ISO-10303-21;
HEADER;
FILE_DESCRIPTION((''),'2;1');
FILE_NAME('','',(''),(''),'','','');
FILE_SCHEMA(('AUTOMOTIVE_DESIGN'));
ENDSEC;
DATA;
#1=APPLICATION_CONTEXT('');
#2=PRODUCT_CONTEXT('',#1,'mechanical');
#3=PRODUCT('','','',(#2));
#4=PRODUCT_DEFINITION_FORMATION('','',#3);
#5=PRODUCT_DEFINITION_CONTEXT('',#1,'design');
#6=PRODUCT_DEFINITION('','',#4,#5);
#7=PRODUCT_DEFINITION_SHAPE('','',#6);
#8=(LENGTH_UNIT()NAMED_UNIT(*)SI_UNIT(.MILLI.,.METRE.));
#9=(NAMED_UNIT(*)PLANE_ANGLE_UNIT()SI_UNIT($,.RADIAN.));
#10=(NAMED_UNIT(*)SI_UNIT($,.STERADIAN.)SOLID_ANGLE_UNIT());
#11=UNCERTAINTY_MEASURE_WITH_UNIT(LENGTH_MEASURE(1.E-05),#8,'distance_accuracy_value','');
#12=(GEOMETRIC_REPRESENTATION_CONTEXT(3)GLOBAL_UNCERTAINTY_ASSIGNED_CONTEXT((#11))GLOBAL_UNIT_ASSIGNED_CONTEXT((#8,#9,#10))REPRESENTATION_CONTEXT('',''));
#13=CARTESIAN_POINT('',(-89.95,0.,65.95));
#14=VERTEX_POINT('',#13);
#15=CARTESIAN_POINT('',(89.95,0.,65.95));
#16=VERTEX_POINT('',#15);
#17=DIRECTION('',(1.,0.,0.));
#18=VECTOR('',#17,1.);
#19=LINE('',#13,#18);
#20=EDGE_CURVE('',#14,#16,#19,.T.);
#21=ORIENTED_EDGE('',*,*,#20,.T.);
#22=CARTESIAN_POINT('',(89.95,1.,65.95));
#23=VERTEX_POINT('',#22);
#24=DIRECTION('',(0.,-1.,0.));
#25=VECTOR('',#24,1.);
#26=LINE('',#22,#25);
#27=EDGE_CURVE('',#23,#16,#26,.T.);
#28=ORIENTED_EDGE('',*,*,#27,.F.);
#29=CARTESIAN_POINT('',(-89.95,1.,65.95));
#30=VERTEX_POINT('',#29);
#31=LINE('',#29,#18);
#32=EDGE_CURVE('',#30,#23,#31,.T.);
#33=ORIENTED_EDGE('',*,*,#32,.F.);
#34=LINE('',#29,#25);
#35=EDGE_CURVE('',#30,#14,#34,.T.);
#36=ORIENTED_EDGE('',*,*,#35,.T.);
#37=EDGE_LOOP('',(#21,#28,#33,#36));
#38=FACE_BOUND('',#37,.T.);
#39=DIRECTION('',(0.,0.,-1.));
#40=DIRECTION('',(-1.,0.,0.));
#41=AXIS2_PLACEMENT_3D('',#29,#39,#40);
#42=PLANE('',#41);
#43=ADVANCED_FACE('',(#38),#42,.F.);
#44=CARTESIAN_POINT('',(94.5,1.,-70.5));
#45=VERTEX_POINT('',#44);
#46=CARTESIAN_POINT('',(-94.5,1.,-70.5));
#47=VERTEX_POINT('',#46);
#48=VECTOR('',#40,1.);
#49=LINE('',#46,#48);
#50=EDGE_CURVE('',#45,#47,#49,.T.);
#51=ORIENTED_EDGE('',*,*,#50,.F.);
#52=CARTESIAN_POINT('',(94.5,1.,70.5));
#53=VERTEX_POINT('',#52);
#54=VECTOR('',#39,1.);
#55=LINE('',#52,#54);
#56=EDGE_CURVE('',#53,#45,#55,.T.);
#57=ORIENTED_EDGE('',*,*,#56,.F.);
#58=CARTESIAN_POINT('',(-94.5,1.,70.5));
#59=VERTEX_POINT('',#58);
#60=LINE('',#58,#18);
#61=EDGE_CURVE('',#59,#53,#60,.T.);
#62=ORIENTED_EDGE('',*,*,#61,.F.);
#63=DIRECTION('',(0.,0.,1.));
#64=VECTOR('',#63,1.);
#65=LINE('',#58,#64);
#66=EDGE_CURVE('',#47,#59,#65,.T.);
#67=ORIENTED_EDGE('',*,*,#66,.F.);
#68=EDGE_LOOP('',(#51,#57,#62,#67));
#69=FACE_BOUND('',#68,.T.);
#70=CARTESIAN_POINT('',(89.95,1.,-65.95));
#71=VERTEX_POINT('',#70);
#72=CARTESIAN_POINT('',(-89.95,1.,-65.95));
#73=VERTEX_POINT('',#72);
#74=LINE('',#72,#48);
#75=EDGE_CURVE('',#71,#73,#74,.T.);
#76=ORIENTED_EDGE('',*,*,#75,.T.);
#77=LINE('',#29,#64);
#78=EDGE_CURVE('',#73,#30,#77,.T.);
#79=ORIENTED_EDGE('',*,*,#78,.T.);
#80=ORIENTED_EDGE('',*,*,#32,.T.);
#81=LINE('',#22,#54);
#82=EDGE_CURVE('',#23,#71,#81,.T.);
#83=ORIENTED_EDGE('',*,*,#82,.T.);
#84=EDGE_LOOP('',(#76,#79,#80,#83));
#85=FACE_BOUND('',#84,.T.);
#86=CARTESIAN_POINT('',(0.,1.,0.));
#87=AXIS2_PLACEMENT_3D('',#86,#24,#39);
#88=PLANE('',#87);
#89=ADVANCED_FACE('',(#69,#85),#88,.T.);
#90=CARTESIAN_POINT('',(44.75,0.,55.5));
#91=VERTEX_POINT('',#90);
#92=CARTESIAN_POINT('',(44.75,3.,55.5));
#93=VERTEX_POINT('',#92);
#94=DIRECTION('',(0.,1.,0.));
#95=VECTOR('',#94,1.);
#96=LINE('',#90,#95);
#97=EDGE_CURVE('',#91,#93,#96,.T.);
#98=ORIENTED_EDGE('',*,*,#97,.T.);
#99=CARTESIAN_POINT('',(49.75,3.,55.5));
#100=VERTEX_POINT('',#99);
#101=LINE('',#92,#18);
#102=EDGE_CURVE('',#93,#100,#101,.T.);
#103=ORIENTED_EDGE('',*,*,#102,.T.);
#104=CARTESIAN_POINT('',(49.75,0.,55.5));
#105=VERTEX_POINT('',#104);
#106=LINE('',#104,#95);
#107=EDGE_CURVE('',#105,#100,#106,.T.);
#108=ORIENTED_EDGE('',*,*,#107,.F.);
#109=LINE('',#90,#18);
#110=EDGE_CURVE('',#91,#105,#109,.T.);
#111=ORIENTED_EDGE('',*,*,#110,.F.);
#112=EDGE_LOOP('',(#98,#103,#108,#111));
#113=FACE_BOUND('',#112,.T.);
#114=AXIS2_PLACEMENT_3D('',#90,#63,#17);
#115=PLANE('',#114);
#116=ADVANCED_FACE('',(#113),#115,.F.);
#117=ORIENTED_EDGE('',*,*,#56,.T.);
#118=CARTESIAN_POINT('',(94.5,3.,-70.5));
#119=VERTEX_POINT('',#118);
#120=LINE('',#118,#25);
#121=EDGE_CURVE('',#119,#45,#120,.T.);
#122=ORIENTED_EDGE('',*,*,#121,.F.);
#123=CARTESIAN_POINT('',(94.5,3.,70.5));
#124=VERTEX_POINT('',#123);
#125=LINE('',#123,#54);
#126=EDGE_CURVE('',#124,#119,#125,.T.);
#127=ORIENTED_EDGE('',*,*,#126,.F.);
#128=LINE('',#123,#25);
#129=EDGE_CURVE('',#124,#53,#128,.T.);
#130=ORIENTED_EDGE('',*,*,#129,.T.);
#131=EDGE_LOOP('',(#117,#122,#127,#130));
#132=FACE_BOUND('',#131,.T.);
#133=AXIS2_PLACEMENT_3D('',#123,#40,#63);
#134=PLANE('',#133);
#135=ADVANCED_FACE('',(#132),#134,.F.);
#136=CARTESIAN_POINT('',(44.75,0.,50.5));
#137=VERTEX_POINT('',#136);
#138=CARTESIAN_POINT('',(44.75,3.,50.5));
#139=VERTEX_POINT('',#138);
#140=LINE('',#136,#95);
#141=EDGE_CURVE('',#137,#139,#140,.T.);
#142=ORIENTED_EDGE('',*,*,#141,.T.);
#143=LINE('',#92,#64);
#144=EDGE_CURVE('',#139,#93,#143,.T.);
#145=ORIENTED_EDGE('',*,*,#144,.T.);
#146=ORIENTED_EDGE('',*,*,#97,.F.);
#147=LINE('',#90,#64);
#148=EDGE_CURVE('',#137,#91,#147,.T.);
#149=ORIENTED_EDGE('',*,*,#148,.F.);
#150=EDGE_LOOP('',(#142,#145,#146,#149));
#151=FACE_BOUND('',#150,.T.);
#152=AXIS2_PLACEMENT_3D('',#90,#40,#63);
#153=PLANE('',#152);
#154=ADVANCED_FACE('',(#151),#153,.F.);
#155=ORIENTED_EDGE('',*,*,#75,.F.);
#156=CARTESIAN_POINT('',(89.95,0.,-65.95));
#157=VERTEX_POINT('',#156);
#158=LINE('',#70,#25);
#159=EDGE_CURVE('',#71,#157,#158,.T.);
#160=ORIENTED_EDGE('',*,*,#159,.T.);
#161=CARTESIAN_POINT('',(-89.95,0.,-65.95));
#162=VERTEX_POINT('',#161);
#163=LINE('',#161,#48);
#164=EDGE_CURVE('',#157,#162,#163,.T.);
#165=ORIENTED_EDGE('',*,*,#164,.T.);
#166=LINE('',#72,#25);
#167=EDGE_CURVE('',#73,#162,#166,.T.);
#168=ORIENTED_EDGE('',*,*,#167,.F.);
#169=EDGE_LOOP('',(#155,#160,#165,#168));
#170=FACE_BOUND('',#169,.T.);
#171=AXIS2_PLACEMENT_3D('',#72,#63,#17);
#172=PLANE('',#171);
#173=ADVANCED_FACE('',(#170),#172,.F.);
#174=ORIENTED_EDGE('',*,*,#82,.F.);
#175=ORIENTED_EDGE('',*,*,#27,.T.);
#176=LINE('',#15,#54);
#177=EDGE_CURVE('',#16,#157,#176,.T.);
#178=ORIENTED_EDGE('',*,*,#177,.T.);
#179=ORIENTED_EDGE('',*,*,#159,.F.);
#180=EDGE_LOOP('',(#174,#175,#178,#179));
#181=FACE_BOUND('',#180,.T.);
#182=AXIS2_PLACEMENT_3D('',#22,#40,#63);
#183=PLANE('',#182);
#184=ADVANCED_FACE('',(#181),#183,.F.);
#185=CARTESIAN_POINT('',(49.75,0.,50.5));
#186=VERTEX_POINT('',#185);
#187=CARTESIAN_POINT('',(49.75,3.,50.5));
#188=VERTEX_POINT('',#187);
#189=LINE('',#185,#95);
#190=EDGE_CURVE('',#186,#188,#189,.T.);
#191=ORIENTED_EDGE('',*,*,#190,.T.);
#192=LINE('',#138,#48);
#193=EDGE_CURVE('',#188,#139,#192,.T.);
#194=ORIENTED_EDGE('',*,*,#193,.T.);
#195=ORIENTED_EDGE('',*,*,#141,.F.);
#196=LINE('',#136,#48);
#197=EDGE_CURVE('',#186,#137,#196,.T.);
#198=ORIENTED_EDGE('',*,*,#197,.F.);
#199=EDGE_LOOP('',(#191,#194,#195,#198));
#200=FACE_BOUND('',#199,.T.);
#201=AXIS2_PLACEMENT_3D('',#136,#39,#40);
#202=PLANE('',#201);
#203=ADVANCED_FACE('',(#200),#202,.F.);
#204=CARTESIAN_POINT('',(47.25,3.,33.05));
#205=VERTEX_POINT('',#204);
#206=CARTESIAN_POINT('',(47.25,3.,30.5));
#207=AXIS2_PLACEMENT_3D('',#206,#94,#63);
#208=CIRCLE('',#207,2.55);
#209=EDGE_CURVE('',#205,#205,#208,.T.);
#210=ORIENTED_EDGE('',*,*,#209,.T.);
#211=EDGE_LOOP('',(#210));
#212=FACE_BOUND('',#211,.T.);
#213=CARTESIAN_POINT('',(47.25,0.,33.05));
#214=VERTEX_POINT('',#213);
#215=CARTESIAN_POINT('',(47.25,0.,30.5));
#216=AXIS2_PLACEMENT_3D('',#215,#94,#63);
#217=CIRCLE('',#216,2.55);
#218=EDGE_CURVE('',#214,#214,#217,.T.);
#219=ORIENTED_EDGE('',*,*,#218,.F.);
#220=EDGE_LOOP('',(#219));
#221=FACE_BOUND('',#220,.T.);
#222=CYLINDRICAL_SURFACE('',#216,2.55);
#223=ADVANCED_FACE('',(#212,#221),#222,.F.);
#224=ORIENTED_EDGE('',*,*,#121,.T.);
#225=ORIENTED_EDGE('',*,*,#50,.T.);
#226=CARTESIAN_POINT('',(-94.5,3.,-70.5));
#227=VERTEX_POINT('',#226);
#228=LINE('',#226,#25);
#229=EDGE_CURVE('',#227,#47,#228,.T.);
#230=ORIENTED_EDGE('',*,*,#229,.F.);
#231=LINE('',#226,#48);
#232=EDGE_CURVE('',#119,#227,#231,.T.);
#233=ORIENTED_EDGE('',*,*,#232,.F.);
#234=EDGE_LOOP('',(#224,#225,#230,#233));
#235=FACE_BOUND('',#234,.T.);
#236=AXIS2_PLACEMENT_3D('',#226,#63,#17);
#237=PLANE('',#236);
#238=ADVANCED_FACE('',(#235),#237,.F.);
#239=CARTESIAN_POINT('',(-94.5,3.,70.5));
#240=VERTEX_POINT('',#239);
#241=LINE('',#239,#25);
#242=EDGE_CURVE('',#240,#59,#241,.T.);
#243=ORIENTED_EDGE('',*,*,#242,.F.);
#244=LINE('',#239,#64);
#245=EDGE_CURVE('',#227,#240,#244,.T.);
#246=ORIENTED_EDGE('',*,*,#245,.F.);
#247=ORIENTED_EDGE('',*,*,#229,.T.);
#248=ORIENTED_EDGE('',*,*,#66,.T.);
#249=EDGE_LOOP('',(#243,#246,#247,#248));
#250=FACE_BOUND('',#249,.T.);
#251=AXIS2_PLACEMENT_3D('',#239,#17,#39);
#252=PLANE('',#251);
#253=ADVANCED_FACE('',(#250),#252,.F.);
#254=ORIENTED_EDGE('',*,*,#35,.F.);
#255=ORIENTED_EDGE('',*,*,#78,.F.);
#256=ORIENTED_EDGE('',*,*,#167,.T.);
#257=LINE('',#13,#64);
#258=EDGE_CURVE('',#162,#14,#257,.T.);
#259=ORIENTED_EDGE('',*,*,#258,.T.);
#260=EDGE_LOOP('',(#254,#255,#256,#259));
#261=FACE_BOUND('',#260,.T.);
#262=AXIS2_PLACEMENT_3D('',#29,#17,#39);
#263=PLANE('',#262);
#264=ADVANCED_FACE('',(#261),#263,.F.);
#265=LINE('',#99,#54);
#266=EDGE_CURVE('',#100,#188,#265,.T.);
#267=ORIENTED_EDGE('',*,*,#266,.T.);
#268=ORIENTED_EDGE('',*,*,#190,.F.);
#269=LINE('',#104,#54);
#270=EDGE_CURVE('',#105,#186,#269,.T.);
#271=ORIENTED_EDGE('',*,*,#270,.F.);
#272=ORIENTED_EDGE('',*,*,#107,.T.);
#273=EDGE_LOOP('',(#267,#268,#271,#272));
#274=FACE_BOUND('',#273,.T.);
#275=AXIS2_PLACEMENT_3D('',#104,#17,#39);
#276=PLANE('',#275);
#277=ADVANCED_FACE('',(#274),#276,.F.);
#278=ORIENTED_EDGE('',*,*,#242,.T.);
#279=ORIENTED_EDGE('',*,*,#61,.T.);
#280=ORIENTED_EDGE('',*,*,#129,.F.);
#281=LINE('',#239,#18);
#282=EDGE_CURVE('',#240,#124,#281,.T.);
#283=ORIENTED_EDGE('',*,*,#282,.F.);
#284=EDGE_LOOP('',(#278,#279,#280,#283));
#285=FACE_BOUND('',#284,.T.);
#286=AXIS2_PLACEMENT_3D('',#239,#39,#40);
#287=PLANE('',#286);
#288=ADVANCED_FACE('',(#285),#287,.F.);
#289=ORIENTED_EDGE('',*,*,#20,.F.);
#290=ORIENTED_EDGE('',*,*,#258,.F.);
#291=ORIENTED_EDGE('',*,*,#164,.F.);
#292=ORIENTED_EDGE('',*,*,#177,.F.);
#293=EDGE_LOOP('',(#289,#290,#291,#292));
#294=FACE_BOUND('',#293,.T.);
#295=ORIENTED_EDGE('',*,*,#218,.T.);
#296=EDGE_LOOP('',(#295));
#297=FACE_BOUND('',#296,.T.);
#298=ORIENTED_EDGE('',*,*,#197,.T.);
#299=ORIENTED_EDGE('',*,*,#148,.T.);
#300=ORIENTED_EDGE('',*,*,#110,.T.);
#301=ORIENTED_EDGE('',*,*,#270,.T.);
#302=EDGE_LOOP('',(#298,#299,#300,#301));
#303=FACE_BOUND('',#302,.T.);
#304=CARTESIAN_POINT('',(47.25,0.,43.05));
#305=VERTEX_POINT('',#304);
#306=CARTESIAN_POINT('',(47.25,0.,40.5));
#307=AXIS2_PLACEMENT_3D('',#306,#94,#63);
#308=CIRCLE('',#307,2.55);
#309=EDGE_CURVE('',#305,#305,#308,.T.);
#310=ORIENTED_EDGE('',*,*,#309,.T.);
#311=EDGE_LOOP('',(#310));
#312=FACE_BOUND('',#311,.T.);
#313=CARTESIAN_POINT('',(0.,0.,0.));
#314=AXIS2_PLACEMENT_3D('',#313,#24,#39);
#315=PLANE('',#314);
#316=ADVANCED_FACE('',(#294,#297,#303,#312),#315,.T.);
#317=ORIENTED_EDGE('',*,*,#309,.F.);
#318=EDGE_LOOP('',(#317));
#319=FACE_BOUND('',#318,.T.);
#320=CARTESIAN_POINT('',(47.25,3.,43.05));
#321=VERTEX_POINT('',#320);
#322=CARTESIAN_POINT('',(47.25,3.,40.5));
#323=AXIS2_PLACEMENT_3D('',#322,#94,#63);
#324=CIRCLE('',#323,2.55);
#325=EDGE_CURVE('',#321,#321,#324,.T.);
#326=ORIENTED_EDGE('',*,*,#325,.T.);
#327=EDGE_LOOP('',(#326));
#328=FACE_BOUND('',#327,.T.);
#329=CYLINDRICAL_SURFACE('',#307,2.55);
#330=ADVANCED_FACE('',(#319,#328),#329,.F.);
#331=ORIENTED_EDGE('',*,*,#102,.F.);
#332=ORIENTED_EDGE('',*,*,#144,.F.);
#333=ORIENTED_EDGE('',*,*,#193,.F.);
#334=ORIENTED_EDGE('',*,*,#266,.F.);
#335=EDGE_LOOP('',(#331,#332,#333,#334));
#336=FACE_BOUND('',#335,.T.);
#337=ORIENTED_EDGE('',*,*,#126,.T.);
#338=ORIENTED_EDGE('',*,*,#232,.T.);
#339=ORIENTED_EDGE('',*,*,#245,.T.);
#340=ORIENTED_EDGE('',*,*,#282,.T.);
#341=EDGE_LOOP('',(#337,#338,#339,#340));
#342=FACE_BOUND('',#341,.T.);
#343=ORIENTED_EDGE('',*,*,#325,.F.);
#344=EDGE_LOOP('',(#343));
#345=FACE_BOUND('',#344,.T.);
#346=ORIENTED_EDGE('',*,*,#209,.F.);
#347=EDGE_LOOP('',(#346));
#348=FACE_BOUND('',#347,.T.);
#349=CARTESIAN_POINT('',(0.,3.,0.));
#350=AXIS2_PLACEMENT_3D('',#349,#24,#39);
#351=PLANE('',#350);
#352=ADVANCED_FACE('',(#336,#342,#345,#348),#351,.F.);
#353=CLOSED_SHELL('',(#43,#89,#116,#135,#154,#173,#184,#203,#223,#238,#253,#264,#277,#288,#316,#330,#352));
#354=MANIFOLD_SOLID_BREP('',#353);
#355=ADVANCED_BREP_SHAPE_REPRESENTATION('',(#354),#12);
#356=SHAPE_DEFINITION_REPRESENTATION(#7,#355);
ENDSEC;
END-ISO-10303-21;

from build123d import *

# Parameters (mm, degrees)
ESBO_O1_W                = 179.9
ESBO_O1_H                = 131.9
RESSALTO_EXTRUS_O1_DEPTH = 1
ESBO_O2_W                = 189
ESBO_O2_H                = 141
RESSALTO_EXTRUS_O2_DEPTH = 2
ESBO_O3_R                = 2.55
ESBO_O3_W                = 5
ESBO_O3_H                = 5
CORTE_EXTRUS_O1_DEPTH    = 118.938543318


with BuildPart() as part:
    # Esboço1 → Ressalto-extrusão1 (new body)
    with BuildSketch(Plane(origin=(0, 0, 0), x_dir=(1, 0, 0), z_dir=(0, 1, 0))):
        Rectangle(ESBO_O1_W, ESBO_O1_H)
    extrude(amount=RESSALTO_EXTRUS_O1_DEPTH)

    # Esboço2 → Ressalto-extrusão2 (add)
    with BuildSketch(Plane(origin=(0, 1, 0), x_dir=(1, 0, 0), z_dir=(0, 1, 0))):
        Rectangle(ESBO_O2_W, ESBO_O2_H)
    extrude(amount=RESSALTO_EXTRUS_O2_DEPTH)

    # Esboço3 → Corte-extrusão1 (cut, through all)
    with BuildSketch(Plane(origin=(0, 3, 0), x_dir=(1, 0, 0), z_dir=(0, 1, 0))):
        with Locations(Location((47.25, -40.5, 0), (0, 0, 270))):
            Circle(ESBO_O3_R)
        with Locations(Location((47.25, -30.5, 0), (0, 0, 270))):
            Circle(ESBO_O3_R)
        with Locations((47.25, -53)):
            Rectangle(ESBO_O3_W, ESBO_O3_H)
    extrude(amount=-CORTE_EXTRUS_O1_DEPTH, mode=Mode.SUBTRACT)


solid = part.part
